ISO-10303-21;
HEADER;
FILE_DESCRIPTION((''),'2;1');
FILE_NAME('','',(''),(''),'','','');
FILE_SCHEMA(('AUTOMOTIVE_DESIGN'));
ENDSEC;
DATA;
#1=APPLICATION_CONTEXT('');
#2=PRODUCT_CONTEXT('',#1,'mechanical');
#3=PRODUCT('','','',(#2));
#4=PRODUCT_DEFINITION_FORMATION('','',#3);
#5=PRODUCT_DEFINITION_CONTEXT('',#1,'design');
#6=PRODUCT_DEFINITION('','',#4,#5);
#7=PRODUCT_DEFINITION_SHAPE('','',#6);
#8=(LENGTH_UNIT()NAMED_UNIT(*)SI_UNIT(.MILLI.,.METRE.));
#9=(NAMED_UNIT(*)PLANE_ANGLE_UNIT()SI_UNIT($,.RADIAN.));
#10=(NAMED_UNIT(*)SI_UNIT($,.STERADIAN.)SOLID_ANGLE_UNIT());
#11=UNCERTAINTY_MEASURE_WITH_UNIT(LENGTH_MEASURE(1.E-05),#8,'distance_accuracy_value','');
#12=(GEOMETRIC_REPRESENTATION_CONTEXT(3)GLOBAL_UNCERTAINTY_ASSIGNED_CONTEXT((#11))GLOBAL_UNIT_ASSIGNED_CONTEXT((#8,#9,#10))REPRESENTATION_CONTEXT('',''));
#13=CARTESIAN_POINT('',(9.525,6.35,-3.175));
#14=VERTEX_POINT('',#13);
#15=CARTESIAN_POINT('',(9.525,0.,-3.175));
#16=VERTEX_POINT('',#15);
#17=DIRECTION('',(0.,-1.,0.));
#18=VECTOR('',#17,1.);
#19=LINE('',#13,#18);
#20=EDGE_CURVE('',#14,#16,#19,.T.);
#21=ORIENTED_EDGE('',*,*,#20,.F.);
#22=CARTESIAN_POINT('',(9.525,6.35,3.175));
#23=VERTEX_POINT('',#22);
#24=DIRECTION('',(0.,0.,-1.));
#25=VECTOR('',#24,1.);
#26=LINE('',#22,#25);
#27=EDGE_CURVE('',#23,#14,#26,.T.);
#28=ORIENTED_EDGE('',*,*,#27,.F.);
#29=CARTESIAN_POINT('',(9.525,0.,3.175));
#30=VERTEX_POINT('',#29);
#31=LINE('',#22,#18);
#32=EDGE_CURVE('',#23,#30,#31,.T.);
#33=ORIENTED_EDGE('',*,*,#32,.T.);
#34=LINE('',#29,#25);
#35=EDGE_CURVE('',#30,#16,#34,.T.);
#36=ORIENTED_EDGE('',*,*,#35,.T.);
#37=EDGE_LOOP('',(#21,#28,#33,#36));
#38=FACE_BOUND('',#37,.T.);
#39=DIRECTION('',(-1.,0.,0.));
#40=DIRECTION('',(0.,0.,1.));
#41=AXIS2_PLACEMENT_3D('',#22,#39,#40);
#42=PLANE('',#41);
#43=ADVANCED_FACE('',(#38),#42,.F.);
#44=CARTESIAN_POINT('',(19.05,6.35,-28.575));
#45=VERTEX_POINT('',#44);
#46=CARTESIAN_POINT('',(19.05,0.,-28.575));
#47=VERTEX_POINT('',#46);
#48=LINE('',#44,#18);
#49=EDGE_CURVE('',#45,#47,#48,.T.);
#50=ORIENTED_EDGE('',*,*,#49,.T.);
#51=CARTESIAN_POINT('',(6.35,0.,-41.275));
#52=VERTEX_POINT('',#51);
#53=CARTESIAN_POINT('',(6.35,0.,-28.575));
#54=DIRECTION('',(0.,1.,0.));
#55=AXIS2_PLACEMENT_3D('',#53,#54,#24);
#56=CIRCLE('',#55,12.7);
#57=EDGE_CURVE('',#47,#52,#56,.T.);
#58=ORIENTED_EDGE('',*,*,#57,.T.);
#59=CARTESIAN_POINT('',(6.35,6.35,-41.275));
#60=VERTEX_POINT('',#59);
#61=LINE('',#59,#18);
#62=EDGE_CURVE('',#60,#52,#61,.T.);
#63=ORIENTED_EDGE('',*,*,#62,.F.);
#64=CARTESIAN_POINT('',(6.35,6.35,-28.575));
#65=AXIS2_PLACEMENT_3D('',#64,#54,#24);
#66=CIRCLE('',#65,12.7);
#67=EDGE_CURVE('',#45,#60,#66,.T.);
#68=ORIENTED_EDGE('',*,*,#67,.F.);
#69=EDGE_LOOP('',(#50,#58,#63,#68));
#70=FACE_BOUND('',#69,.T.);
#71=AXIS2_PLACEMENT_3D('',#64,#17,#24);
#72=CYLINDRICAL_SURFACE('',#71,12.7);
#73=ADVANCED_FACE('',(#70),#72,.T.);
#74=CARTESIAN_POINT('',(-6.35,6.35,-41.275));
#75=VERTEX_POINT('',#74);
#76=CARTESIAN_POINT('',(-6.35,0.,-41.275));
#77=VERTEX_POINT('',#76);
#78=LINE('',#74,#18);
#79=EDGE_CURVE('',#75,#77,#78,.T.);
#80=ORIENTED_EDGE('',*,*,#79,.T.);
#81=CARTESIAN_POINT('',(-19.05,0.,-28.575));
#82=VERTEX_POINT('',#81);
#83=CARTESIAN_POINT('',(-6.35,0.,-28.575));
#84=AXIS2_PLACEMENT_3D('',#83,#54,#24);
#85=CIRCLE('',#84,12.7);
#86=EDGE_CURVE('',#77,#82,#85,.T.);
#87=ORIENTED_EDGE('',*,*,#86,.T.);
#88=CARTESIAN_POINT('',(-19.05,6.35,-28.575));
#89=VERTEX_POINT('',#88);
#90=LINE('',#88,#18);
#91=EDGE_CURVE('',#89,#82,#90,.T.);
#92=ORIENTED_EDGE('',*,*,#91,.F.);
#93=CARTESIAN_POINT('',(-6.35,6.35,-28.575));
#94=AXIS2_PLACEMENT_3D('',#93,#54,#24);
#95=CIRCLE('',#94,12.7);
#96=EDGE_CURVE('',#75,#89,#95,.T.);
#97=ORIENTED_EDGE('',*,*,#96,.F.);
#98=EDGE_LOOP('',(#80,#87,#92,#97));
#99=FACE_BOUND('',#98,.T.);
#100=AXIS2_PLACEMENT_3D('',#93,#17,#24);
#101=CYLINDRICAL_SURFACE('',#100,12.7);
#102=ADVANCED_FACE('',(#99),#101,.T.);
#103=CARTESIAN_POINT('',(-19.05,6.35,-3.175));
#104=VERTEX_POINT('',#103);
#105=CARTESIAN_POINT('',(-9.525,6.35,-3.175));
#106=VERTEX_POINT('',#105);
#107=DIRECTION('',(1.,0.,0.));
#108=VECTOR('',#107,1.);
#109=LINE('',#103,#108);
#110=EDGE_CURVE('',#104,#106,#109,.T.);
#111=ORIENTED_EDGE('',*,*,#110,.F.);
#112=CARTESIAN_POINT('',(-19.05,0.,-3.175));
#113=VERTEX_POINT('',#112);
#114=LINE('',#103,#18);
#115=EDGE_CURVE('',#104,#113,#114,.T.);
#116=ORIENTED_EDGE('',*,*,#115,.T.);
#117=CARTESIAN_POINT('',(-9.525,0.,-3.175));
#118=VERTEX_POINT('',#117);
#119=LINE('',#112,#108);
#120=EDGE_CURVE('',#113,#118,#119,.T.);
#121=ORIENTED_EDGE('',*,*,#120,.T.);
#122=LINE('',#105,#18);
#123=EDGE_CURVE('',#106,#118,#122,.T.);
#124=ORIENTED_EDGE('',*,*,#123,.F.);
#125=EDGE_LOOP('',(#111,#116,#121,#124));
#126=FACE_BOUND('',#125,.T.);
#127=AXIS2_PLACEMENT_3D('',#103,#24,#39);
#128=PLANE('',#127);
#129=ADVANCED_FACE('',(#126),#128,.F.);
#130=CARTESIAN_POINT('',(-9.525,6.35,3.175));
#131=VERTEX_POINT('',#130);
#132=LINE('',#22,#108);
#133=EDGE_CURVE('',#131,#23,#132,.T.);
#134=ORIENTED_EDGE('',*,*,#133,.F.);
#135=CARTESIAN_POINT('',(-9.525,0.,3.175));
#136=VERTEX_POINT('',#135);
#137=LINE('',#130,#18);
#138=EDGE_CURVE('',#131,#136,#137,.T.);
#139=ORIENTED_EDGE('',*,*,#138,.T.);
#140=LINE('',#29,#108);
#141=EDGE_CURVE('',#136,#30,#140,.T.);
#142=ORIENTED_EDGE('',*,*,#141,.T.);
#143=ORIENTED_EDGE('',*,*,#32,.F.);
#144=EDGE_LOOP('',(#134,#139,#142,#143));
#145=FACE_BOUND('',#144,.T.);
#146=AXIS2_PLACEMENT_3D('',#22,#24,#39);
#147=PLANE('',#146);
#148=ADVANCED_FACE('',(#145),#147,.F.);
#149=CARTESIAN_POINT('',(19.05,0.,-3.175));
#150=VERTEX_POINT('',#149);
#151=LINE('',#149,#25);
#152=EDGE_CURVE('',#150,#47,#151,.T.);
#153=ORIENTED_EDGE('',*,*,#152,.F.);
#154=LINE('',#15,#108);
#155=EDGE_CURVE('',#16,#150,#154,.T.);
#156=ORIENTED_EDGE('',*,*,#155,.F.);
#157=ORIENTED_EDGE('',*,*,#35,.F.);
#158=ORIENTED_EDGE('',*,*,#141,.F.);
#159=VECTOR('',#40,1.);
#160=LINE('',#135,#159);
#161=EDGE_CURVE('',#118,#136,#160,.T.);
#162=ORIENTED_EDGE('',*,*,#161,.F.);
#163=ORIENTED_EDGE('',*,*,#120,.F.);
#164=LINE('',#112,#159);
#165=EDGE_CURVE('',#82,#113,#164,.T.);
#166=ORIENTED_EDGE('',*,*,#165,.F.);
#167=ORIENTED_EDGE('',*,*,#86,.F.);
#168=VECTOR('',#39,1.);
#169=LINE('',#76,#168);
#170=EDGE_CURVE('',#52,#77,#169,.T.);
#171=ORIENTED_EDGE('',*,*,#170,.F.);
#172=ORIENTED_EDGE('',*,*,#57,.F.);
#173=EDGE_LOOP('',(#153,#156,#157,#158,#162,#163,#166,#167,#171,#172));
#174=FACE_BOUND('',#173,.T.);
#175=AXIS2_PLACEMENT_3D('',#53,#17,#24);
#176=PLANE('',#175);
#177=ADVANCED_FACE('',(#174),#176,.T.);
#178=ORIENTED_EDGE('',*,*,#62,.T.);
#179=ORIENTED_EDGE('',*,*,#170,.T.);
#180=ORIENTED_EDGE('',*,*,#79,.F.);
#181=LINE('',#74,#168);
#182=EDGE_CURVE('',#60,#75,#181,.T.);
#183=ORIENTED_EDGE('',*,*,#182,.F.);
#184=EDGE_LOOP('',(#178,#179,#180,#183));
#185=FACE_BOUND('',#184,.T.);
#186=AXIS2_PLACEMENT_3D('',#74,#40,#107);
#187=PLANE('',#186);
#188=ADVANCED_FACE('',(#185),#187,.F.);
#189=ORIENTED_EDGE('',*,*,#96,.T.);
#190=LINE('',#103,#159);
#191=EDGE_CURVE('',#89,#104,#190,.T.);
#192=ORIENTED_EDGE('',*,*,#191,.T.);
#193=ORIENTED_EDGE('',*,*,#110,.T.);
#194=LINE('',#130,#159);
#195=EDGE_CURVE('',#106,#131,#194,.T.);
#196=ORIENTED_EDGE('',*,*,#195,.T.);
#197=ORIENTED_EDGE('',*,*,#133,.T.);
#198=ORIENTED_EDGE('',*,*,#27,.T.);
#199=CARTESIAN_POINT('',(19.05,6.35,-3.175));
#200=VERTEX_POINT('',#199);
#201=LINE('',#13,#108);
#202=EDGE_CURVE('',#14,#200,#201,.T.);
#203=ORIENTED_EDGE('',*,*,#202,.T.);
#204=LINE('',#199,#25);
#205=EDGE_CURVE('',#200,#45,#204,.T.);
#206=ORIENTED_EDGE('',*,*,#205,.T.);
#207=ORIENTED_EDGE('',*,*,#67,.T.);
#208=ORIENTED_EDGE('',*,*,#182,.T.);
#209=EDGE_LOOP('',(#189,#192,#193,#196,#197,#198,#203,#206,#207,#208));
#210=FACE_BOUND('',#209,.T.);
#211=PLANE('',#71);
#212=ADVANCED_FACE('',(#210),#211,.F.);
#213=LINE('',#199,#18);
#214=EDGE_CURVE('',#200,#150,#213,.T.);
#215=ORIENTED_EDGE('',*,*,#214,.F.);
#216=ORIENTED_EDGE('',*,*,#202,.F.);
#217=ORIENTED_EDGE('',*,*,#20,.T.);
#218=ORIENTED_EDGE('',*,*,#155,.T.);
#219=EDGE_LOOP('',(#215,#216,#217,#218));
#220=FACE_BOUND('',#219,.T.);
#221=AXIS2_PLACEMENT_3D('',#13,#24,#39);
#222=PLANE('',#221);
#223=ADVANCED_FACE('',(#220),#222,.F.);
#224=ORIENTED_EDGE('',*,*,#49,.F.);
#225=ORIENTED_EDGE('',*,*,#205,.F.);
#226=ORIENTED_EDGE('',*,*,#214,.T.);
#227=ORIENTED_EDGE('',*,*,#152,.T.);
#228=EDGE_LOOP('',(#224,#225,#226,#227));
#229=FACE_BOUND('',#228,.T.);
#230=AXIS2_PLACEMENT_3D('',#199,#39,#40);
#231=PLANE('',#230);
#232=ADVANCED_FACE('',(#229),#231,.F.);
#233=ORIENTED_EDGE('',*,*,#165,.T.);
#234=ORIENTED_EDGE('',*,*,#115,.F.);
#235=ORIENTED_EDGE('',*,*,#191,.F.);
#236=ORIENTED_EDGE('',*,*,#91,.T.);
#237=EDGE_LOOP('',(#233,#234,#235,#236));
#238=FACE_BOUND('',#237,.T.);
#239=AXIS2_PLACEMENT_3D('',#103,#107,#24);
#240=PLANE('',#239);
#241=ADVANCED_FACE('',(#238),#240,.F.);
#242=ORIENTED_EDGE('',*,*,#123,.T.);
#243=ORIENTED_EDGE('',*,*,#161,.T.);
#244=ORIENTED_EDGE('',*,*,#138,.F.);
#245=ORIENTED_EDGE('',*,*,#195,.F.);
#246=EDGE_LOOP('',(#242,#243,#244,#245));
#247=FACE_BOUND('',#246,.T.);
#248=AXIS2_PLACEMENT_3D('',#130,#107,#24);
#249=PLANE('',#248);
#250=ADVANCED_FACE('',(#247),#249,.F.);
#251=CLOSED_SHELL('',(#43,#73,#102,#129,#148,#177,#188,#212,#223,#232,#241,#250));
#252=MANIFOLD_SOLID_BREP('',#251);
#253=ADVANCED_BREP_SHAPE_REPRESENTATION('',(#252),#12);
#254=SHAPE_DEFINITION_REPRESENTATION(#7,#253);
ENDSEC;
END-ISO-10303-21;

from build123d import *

# Parameters (mm, degrees)
BOSS_EXTRUDE1_DEPTH = 6.35


with BuildPart() as part:
    # Sketch1 → Boss-Extrude1 (new body)
    with BuildSketch(Plane(origin=(0, 0, 0), x_dir=(1, 0, 0), z_dir=(0, 1, 0))):
        with BuildLine():
            Line((9.525, -3.175), (-9.525, -3.175))
            Line((-9.525, -3.175), (-9.525, 3.175))
            Line((-9.525, 3.175), (-19.05, 3.175))
            Line((-19.05, 3.175), (-19.05, 28.575))
            ThreePointArc((-19.05, 28.575), (-15.330256121, 37.555256121), (-6.35, 41.275))
            Line((-6.35, 41.275), (6.35, 41.275))
            ThreePointArc((6.35, 41.275), (15.330256121, 37.555256121), (19.05, 28.575))
            Line((19.05, 28.575), (19.05, 3.175))
            Line((19.05, 3.175), (9.525, 3.175))
            Line((9.525, 3.175), (9.525, -3.175))
        make_face()
    extrude(amount=BOSS_EXTRUDE1_DEPTH)


solid = part.part
